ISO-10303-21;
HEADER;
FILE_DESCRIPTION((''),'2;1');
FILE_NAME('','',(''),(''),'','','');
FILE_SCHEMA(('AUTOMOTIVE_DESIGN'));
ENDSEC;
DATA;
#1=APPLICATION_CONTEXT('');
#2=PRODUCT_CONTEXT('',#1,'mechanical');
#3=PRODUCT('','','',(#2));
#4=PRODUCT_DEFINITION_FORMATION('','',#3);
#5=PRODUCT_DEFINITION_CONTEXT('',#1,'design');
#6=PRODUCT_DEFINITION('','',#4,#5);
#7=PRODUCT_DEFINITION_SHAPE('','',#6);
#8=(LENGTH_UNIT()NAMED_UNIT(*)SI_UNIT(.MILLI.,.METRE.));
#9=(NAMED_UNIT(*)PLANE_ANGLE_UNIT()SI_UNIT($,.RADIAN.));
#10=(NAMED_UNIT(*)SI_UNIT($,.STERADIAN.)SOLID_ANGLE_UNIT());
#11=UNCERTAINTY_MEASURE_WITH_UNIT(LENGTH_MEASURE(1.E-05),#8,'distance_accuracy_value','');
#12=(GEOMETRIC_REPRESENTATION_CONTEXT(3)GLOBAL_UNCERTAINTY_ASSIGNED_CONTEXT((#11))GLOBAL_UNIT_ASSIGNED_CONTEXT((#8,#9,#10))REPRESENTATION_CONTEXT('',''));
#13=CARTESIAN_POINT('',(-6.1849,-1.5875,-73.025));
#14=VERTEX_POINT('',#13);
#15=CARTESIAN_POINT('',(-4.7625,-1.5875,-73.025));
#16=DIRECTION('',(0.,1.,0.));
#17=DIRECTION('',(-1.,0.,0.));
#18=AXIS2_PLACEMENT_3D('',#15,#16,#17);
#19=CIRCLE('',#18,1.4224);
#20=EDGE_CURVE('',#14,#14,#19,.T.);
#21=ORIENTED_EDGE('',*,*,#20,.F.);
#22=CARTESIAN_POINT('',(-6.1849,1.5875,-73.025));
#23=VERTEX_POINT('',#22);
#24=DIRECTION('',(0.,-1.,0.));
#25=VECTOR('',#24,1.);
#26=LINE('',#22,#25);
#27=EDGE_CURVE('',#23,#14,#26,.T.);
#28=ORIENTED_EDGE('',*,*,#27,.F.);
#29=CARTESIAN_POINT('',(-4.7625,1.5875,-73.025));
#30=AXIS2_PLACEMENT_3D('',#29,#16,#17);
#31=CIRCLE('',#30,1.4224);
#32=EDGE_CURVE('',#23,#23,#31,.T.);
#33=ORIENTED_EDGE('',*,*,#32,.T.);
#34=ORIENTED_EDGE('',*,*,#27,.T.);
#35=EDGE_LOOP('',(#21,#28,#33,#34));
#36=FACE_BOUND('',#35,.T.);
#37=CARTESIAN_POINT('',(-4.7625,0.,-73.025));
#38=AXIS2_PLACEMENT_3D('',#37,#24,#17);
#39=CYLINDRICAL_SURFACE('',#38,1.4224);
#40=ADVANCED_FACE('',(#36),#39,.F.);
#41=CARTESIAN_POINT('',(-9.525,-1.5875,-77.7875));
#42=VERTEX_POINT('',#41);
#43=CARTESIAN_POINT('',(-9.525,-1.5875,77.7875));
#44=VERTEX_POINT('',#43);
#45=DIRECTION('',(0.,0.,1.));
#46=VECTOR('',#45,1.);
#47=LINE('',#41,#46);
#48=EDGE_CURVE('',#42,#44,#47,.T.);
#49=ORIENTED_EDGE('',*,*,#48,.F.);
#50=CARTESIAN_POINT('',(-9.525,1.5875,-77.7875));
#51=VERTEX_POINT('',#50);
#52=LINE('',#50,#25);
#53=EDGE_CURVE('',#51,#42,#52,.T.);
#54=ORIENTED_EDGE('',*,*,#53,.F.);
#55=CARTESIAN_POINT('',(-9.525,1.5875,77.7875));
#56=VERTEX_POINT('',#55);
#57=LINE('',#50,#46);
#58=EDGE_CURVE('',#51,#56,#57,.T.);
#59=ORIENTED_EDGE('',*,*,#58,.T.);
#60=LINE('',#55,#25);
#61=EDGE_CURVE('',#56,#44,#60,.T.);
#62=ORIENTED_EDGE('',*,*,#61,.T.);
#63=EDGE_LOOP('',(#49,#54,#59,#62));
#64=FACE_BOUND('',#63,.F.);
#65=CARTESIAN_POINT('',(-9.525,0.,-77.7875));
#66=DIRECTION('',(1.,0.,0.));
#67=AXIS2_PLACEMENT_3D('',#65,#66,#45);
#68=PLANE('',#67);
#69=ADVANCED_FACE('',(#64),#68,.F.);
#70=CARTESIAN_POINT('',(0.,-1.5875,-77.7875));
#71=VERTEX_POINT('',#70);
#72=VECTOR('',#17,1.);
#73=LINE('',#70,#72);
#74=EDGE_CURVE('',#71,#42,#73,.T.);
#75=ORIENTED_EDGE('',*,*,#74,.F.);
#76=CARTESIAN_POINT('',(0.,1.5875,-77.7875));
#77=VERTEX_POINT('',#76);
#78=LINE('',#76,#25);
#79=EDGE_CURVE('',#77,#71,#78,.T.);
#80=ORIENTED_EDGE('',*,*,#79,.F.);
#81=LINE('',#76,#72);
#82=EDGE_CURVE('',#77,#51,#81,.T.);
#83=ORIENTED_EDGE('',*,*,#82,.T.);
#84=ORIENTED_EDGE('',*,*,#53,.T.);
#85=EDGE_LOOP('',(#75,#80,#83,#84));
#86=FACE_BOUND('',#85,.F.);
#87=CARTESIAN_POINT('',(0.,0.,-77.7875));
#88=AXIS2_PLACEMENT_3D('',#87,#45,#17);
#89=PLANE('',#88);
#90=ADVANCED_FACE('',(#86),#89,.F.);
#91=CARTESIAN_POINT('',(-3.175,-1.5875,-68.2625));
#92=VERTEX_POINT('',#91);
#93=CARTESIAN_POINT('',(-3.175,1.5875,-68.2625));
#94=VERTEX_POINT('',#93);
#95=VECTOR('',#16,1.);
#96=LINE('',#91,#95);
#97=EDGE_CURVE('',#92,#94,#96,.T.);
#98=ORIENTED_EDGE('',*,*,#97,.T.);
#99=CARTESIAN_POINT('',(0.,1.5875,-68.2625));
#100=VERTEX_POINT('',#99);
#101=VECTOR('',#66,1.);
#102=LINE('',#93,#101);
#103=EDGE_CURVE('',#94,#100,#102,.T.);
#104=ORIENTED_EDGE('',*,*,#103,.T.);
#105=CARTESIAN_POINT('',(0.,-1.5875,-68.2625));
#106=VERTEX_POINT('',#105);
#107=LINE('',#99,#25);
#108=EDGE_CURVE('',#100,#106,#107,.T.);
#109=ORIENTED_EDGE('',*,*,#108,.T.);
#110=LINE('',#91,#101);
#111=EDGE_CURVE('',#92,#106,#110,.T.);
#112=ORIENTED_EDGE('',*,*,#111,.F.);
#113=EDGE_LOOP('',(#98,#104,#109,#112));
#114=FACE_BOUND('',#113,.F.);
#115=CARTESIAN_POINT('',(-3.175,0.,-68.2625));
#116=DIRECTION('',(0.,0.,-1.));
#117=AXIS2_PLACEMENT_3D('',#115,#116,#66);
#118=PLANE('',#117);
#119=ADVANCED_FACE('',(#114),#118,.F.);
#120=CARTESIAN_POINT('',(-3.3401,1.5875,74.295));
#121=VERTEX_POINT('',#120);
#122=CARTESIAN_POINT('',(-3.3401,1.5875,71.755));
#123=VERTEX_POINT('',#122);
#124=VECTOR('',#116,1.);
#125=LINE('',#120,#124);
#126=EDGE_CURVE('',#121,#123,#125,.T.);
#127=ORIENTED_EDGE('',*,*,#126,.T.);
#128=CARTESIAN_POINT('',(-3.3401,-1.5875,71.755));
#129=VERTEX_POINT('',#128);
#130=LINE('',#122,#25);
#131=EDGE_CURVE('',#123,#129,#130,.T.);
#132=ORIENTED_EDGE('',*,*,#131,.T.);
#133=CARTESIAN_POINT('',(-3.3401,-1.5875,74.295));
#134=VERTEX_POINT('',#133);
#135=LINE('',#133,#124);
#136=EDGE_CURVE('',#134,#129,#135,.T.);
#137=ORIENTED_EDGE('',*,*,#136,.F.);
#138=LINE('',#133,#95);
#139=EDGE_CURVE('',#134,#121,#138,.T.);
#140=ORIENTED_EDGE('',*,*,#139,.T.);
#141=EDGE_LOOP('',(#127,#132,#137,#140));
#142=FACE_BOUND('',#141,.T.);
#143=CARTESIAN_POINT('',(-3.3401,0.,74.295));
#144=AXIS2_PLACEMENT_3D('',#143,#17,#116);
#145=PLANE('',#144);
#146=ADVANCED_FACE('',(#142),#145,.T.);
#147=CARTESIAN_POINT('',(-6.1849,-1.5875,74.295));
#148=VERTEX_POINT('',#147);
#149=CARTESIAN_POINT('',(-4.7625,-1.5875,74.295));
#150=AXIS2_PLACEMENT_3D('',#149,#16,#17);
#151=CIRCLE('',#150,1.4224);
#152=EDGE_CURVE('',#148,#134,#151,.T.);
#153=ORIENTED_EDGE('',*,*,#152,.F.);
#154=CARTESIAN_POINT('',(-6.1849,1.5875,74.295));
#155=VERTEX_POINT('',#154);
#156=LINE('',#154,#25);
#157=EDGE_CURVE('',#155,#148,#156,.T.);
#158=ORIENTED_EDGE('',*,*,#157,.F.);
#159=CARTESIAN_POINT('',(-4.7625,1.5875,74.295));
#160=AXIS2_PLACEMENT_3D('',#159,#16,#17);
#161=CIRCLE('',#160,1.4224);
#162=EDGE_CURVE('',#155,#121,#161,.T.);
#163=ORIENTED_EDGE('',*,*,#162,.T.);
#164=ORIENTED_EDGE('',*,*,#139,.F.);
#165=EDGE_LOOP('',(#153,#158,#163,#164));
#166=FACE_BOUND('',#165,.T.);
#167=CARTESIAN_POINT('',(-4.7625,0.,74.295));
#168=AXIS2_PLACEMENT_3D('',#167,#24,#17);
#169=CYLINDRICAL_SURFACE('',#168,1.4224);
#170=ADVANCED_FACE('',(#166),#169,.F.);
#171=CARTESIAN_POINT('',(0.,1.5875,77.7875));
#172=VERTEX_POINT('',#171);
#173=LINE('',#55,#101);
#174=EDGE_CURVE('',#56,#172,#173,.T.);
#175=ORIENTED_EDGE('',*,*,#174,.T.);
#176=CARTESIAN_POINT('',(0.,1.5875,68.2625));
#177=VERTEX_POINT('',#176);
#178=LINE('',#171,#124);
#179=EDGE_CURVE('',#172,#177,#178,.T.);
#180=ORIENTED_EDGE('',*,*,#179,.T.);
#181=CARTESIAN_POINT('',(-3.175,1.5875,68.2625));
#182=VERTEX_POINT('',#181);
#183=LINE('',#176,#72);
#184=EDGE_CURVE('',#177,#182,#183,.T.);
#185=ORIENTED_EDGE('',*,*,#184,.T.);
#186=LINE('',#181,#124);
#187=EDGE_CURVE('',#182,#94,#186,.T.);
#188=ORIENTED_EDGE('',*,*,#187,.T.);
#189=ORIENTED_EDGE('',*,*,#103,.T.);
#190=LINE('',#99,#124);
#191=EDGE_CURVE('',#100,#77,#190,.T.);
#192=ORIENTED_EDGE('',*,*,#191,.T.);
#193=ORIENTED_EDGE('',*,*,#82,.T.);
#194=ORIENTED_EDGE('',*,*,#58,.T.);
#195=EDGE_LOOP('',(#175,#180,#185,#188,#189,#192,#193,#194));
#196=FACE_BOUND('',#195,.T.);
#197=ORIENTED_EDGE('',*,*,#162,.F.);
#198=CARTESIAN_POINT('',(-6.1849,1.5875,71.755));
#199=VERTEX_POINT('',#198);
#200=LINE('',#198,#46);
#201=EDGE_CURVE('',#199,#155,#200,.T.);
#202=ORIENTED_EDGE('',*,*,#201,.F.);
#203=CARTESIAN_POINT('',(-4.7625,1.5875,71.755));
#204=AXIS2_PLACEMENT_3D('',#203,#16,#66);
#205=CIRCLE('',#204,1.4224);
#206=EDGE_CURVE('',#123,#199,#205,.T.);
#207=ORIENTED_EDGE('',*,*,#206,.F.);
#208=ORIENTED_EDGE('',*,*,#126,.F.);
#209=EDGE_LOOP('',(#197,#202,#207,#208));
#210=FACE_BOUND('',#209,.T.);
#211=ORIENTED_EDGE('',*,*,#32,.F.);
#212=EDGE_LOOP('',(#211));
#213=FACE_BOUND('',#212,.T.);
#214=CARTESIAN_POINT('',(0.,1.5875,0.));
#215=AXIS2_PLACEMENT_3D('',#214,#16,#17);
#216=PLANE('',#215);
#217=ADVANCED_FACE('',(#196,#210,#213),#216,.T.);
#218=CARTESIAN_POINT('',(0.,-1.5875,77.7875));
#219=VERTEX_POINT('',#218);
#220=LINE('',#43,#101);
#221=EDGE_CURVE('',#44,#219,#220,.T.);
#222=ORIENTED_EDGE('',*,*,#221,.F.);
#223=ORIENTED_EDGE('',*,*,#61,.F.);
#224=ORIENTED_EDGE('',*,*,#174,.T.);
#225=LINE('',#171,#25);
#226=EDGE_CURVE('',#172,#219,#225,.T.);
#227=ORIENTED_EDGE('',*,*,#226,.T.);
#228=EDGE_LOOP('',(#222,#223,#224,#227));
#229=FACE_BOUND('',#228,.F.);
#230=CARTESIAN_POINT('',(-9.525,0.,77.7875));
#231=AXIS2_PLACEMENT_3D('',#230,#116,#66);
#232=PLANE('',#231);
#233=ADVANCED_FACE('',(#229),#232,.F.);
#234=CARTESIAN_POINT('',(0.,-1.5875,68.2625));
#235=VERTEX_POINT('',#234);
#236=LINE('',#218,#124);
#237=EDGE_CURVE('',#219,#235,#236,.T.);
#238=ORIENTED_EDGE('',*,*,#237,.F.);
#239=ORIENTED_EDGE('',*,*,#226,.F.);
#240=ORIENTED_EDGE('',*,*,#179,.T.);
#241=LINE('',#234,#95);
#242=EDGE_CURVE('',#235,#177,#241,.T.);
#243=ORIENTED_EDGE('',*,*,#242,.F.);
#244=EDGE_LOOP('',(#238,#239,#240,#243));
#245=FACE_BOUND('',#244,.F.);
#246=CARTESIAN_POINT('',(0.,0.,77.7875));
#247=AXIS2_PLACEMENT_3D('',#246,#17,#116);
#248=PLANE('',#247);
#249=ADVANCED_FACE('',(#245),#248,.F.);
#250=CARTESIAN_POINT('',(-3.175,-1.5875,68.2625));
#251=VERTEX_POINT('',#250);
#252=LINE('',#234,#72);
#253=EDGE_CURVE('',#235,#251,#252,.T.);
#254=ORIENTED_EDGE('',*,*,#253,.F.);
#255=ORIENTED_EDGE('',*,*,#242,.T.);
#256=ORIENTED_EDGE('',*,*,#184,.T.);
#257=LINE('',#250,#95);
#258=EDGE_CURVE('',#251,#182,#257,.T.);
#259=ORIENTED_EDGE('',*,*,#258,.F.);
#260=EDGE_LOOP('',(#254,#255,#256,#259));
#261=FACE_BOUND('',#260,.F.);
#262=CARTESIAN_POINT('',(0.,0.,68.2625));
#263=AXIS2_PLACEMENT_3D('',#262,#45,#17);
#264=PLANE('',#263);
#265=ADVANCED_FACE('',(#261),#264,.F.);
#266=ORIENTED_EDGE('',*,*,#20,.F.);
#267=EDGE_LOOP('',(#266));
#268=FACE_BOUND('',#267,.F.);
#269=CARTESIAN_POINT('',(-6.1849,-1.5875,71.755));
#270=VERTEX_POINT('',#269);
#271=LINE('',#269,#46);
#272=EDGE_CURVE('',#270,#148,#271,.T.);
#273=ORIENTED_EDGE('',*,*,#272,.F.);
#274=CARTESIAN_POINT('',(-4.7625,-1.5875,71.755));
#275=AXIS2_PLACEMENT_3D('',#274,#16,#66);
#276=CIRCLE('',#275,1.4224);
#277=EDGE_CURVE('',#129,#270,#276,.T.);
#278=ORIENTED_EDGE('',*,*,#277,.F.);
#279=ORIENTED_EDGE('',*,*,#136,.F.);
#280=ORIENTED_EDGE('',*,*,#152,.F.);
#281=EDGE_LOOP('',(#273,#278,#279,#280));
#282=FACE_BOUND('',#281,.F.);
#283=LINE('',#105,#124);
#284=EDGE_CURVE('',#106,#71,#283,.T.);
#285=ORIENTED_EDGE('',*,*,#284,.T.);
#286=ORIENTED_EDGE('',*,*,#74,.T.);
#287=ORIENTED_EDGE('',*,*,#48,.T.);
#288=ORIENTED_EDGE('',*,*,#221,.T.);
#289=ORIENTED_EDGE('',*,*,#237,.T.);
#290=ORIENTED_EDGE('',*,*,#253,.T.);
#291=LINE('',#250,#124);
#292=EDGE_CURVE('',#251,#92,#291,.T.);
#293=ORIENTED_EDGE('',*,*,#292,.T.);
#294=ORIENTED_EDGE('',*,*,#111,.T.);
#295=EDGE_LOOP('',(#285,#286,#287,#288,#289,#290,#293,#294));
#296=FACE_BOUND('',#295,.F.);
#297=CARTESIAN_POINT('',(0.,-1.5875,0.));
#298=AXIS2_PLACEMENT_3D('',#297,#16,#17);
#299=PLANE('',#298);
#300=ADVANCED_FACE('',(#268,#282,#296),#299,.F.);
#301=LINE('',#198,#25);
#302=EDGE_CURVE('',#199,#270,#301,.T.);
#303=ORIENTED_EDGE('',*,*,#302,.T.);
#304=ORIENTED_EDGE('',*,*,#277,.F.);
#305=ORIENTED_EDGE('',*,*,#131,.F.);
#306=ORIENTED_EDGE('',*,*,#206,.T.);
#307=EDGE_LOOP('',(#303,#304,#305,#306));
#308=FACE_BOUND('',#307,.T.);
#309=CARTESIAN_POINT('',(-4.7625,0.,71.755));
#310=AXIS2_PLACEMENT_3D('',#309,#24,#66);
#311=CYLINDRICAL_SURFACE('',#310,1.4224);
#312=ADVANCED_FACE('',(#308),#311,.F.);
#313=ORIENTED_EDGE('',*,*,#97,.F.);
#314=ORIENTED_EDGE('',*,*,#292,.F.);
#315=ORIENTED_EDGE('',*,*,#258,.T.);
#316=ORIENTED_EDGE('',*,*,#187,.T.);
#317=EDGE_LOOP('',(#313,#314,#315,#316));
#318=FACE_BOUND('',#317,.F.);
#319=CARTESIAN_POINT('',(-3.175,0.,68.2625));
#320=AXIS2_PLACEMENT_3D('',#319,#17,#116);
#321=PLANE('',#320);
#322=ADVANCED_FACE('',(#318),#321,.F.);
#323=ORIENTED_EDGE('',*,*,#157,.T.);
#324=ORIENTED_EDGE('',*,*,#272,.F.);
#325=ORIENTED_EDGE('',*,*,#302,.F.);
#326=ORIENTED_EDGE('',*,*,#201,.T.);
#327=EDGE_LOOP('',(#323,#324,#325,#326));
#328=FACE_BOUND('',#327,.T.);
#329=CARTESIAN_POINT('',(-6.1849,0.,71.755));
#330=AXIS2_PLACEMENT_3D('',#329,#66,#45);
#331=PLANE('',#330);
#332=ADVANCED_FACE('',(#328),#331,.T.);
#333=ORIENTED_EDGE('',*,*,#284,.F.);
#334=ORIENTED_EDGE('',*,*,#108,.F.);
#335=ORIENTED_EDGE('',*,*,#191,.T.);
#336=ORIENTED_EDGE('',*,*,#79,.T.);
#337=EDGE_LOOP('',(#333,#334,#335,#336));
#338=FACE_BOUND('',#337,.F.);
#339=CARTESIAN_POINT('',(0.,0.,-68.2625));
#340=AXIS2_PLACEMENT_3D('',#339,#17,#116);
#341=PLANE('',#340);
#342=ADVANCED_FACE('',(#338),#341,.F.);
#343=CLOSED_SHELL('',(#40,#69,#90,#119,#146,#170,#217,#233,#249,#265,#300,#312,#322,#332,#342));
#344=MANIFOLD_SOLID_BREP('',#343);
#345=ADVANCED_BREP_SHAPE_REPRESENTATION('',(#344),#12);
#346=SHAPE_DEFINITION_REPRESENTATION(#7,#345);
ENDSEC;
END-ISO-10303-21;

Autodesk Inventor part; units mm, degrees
ref_plane "YZ Plane" through (0, 0, 0) normal (1, 0, 0) x (0, 1, 0)
ref_plane "XZ Plane" through (0, 0, 0) normal (0, 1, 0) x (-1, 0, 0)
ref_plane "XY Plane" through (0, 0, 0) normal (0, 0, 1) x (1, 0, 0)
sketch "Sketch1" plane through (0, 0, 0) normal (0, 1, 0) x (-1, 0, 0)
  line L0 (0, 68.2625) -> (3.175, 68.2625)
  line L1 (3.175, 68.2625) -> (3.175, -68.2625)
  line L2 (3.175, -68.2625) -> (0, -68.2625)
  line L3 (0, -68.2625) -> (0, -77.7875)
  line L4 (0, -77.7875) -> (9.525, -77.7875)
  line L5 (9.525, -77.7875) -> (9.525, 77.7875)
  line L6 (9.525, 77.7875) -> (0, 77.7875)
  line L7 (0, 77.7875) -> (0, 68.2625)
  line L8 (-1.905, 0) -> (11.43, 0) construction
  line L9 (4.7625, 74.295) -> (4.7625, 71.755) construction
  line L10 (3.3401, 74.295) -> (3.3401, 71.755)
  line L11 (6.1849, 71.755) -> (6.1849, 74.295)
  arc A0 (6.1849, 74.295) -> (3.3401, 74.295) centre (4.7625, 74.295) ccw
  arc A1 (3.3401, 71.755) -> (6.1849, 71.755) centre (4.7625, 71.755) ccw
  circle A2 centre (4.7625, -73.025) radius 1.4224
  point P0 (0, 0)
  point P1 (4.7625, 73.025)
  point P2 (0, 73.025)
  point P3 (0, -73.025)
  point P4 (4.7625, -77.7875)
  point P5 (4.7625, 77.7875)
  dimension "d0" = 3.175
  dimension "d1" = 9.525
  dimension "d2" = 9.525
  dimension "d3" = 155.575
  dimension "d4" = 2.54
  dimension "d5" = 1.4224
  dimension "d10" = 2.8448
extrude "Extrusion1" add sketch "Sketch1" along normal mid plane 3.175
equation "\"d10\" = 2 * d5"
equation "\"woodThickness\" = 3.175"
properties part number "Wood Rail"
